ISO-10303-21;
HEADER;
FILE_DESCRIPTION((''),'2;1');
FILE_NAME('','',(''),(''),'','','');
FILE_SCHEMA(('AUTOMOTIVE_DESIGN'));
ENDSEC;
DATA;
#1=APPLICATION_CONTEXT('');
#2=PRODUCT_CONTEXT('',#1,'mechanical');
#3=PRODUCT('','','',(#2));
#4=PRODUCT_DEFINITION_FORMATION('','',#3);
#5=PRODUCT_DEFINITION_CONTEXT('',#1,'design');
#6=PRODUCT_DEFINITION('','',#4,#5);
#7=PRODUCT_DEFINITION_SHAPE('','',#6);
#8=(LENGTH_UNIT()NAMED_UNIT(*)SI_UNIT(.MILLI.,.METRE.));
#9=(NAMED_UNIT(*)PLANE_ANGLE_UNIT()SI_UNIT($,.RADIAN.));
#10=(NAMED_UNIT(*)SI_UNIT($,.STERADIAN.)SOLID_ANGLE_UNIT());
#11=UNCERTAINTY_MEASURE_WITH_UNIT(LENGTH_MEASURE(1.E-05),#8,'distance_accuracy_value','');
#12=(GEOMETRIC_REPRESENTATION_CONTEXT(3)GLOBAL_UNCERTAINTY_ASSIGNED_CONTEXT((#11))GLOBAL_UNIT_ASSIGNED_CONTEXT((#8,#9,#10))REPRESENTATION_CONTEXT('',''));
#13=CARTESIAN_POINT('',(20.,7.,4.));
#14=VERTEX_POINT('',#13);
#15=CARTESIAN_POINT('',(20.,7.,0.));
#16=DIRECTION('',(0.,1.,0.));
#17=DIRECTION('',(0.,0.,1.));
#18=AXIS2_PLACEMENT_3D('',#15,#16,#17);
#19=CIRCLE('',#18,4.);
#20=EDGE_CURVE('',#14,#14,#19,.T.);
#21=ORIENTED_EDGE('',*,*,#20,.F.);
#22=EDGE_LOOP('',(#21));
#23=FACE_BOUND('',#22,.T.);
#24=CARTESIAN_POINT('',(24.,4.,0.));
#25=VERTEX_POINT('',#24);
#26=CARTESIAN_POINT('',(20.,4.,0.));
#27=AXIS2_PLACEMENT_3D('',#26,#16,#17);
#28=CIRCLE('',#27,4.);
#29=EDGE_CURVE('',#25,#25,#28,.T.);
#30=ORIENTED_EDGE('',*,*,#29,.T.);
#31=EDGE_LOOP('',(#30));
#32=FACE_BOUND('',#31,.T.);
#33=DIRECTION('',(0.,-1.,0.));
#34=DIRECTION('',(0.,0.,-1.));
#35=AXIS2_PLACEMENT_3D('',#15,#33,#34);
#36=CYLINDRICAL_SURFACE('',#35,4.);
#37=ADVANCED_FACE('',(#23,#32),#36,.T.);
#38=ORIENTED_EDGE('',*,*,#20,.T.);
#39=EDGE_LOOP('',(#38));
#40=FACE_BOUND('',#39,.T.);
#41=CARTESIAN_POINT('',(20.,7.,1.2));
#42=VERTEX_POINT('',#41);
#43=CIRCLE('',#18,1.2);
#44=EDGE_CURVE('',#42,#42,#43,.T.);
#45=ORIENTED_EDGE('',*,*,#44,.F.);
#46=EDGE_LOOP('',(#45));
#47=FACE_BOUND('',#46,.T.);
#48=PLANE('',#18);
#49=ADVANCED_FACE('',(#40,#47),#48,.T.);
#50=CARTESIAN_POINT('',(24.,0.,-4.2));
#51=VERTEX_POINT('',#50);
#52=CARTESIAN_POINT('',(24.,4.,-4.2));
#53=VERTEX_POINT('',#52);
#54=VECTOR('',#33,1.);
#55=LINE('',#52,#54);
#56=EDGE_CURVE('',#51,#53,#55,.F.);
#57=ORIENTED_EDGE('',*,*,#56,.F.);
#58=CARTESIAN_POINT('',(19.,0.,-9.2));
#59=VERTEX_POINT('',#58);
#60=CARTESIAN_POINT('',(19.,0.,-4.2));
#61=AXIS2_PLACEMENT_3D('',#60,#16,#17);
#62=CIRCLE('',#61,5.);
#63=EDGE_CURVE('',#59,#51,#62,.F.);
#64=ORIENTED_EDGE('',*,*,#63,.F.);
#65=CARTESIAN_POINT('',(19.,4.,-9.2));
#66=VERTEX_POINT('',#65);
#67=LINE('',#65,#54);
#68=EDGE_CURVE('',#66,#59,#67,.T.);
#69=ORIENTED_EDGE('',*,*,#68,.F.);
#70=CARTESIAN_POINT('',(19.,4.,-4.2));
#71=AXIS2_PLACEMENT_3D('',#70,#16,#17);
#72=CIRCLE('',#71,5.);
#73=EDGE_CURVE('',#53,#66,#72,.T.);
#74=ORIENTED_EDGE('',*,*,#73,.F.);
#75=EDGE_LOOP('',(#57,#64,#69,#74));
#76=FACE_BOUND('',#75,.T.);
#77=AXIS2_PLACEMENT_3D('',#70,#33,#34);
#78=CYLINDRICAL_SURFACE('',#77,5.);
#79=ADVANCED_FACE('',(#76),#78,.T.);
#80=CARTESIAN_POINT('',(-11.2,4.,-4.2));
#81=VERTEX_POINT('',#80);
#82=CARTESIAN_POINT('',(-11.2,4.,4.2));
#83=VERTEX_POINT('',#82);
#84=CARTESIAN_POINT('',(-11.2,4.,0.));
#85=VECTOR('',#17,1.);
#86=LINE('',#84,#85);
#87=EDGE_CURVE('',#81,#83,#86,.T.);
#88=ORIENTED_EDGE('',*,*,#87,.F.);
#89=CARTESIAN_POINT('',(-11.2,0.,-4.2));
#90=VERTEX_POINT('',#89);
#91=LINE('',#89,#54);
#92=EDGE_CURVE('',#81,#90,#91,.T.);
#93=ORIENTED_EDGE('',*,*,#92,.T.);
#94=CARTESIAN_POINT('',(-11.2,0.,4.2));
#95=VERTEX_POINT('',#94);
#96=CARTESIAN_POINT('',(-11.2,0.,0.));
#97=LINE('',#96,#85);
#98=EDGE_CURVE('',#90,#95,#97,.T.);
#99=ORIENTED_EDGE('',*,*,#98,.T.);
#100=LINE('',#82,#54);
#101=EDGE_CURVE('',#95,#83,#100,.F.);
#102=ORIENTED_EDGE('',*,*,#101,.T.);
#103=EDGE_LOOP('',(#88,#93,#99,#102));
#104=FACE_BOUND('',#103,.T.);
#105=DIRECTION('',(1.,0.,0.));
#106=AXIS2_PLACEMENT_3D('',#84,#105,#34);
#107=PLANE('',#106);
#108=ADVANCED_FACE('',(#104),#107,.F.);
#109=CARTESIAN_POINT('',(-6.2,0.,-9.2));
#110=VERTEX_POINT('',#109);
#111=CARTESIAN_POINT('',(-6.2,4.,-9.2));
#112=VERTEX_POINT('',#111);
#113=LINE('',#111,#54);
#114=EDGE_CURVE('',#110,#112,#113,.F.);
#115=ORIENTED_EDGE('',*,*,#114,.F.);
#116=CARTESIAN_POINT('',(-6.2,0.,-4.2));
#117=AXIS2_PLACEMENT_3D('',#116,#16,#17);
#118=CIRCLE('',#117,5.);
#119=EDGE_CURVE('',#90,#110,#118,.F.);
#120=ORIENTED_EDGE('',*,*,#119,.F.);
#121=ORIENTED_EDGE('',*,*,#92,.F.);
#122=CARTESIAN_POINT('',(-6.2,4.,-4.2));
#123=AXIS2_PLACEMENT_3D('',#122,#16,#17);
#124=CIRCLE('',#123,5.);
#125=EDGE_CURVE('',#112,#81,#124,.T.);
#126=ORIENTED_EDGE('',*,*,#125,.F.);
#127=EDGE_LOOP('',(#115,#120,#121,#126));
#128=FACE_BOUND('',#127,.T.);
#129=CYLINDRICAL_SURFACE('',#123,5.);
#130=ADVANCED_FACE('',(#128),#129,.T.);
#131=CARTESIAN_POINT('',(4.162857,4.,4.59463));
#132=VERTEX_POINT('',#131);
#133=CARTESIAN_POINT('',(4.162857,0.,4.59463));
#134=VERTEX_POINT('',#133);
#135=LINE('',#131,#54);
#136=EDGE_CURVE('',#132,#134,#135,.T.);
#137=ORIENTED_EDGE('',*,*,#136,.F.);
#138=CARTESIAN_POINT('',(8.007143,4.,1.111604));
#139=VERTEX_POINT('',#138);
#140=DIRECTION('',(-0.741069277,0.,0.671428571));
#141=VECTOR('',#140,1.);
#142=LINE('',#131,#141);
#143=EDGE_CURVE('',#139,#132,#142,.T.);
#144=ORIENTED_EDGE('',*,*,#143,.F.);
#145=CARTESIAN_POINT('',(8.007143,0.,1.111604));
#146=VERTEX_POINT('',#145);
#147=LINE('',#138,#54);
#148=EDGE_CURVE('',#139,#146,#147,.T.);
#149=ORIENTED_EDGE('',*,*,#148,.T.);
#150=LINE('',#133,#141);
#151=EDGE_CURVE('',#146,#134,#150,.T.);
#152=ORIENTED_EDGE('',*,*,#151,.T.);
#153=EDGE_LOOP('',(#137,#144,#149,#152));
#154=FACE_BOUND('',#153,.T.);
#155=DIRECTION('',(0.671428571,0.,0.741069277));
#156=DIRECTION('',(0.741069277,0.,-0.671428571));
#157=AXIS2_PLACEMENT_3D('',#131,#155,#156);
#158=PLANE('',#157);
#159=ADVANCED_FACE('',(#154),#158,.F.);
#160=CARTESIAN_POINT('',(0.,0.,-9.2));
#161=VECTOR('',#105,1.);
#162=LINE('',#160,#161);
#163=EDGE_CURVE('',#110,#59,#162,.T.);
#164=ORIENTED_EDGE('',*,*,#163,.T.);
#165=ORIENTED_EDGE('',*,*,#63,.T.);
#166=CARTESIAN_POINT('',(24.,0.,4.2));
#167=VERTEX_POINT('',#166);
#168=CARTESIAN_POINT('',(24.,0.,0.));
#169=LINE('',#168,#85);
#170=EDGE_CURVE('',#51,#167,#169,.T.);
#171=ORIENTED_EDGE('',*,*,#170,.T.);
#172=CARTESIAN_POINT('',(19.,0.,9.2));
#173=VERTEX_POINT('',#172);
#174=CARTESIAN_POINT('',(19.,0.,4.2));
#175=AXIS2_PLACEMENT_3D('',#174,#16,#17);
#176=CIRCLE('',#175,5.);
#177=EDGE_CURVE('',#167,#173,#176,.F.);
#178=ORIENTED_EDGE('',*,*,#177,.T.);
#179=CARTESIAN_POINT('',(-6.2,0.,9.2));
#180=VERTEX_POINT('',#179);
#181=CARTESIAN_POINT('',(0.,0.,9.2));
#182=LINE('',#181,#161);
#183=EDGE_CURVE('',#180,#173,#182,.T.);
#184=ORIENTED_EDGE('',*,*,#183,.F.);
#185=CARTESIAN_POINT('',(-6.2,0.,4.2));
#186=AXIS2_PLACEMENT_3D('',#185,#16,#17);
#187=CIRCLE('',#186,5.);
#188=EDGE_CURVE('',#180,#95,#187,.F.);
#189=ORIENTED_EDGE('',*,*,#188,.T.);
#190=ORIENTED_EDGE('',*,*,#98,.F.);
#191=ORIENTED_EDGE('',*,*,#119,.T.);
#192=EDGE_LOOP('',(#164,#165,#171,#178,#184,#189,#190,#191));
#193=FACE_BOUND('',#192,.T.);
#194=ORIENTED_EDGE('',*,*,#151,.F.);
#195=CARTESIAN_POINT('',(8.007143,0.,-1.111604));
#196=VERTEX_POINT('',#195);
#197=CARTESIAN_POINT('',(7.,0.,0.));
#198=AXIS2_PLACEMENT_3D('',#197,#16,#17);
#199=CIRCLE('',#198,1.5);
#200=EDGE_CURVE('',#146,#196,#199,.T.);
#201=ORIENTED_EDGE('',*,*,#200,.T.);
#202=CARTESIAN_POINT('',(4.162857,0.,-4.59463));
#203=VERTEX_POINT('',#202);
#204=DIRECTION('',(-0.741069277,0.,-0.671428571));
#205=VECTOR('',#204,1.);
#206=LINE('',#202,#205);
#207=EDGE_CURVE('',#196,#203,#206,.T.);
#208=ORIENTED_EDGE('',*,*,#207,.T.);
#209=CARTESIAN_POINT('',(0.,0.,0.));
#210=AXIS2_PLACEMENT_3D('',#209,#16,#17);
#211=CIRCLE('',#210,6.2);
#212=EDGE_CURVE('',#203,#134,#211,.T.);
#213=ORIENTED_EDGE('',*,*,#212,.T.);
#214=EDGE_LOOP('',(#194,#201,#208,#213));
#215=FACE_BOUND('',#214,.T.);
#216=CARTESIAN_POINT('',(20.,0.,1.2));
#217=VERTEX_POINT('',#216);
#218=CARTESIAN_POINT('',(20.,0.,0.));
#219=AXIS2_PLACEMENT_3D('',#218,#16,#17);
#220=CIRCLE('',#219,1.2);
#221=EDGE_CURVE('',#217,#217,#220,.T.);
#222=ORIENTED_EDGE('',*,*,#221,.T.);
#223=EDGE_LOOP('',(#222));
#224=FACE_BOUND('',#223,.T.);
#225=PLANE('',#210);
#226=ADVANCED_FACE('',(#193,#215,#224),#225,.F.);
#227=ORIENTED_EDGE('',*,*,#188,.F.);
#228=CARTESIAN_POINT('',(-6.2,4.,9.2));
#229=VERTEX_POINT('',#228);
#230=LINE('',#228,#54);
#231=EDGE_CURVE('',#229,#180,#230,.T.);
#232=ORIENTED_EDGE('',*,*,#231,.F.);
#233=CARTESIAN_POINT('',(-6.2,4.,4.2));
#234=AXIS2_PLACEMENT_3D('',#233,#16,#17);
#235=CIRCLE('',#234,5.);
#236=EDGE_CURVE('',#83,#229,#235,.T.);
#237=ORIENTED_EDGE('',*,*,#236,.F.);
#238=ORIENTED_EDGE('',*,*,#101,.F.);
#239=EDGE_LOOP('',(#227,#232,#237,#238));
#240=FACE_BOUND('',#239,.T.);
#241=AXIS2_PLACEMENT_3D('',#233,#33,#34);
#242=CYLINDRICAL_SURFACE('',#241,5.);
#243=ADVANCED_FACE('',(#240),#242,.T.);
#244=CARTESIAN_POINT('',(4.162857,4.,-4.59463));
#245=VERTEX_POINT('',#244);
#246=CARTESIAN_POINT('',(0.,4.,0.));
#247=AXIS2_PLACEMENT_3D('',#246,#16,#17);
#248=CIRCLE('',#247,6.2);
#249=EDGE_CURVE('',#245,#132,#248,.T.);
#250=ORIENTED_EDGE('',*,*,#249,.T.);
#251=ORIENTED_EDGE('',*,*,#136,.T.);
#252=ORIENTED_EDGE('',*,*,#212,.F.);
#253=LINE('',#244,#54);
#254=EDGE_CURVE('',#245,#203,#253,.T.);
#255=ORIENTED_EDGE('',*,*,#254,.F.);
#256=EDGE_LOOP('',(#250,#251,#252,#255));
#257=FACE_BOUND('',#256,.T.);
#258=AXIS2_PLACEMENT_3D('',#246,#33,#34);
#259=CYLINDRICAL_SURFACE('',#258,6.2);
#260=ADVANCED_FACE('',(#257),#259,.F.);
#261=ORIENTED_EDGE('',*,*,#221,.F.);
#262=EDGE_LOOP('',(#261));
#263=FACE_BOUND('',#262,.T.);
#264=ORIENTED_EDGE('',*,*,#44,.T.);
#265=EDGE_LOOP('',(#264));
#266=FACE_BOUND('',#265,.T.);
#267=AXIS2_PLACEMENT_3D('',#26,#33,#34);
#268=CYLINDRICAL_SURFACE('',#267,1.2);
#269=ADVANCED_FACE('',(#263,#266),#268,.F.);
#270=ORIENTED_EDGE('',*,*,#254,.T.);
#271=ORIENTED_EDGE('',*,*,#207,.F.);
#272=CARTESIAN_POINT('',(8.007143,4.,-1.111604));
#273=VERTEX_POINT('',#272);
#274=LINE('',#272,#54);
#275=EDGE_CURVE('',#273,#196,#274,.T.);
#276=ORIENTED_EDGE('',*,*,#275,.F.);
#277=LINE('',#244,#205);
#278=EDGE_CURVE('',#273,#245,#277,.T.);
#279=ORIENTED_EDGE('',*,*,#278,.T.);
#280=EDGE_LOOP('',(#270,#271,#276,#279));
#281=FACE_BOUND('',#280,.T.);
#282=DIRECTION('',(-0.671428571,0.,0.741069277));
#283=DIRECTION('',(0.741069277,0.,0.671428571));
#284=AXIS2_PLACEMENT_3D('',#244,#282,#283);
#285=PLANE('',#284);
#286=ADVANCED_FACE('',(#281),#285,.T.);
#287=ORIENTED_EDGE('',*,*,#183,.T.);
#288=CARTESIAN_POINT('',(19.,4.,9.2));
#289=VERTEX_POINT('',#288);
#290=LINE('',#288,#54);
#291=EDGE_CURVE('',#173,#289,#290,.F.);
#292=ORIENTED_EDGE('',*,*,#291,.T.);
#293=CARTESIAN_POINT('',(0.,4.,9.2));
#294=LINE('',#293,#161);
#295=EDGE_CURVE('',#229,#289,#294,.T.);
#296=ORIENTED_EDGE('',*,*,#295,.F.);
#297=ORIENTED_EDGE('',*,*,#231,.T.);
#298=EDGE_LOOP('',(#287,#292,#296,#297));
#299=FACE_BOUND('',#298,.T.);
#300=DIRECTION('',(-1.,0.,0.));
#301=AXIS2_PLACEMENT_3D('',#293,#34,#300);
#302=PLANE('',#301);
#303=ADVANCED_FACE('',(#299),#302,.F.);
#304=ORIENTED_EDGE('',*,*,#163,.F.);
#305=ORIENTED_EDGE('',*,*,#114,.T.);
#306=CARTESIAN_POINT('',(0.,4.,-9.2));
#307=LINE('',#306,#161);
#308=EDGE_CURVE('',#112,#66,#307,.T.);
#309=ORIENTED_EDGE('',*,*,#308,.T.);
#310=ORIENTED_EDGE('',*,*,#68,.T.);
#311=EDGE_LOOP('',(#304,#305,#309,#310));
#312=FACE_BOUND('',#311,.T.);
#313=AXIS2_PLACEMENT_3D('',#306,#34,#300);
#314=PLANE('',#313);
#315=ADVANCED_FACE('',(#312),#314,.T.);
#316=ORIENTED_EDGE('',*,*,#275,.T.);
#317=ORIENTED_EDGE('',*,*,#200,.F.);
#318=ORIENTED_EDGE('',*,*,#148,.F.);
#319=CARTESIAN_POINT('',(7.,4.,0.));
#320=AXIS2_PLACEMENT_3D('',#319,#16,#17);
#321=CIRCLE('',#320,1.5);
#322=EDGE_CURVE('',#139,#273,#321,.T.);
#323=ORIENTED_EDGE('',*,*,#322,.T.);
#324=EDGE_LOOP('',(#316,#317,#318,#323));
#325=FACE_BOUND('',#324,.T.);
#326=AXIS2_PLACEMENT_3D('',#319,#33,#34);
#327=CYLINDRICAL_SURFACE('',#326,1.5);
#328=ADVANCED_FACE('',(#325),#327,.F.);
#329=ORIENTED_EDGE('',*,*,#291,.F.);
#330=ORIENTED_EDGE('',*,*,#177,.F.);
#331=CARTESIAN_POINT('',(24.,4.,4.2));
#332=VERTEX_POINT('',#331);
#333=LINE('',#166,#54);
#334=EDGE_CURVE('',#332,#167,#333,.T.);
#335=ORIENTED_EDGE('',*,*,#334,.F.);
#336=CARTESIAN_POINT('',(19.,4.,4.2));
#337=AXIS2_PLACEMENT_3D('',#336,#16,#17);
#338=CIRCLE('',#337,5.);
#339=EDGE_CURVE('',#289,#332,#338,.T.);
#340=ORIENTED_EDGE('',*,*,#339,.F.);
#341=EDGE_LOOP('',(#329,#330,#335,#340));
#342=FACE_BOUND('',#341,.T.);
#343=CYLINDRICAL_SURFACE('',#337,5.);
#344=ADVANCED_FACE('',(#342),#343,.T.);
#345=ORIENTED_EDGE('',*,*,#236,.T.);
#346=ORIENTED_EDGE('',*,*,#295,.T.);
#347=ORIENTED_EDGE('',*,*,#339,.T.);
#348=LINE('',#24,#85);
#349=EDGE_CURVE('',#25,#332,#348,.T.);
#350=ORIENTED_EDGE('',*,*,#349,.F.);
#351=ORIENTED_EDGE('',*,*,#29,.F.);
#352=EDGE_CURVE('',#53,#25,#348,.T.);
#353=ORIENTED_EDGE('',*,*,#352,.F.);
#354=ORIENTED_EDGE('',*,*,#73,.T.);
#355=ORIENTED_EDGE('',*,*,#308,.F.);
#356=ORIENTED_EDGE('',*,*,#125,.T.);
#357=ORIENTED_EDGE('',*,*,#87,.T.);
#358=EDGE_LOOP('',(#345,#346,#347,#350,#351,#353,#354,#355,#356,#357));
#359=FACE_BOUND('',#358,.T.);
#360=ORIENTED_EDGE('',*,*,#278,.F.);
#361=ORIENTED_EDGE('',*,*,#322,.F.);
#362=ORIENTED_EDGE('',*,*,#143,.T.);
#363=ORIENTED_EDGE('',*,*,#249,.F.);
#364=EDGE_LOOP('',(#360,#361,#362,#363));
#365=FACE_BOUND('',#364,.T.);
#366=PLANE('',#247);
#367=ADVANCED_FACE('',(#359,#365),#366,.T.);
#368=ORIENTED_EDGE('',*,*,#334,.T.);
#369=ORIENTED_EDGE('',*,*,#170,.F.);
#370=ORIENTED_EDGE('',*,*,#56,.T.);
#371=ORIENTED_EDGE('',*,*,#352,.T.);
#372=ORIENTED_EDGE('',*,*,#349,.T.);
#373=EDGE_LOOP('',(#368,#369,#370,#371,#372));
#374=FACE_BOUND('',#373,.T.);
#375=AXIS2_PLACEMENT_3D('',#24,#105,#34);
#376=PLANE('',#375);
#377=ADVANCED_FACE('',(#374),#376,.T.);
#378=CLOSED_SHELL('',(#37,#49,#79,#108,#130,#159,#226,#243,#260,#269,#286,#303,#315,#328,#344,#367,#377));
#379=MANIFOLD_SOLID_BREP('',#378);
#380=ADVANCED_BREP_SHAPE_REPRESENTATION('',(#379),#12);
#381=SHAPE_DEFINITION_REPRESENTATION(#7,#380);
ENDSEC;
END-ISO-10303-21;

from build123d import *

# Parameters (mm, degrees)
SKETCH_1_W      = 5
SKETCH_1_H      = 12.4
SKETCH_1_R      = 1.2
EXTRUDE_1_DEPTH = 4
SKETCH_2_R      = 4
SKETCH_2_R_2    = 1.2
EXTRUDE_2_DEPTH = 3
FILLET_1_R      = 5


with BuildPart() as part:
    # Эскиз1 → Бобышка-Вытянуть1 (new body)
    with BuildSketch(Plane(origin=(0, 0, 0), x_dir=(1, 0, 0), z_dir=(0, 1, 0))):
        Polygon((-11.2, 6.2), (-6.2, 6.2), (0, 6.2), (16.4, 6.2), (21.4, 6.2), (21.4, -6.2), (16.4, -6.2), (6e-09, -6.2), (-6.2, -6.2), (-11.2, -6.2), (-11.2, -9.2), (24, -9.2), (24, 9.2), (-11.2, 9.2), align=None)
        Polygon((-6.2, 0), (-6.2, 6.2), (-11.2, 6.2), (-11.2, -6.2), (-6.2, -6.2), align=None)
        with Locations((18.9, 0)):
            Rectangle(SKETCH_1_W, SKETCH_1_H)
        with Locations((20, 0)):
            Circle(SKETCH_1_R, mode=Mode.SUBTRACT)
        with BuildLine():
            Line((16.4, 6.2), (0, 6.2))
            ThreePointArc((0, 6.2), (2.230840311, 5.784751637), (4.162857143, 4.594629518))
            Line((4.162857143, 4.594629518), (8.007142857, 1.111603916))
            ThreePointArc((8.007142857, 1.111603916), (8.37126115, 0.607982613), (8.5, 0))
            ThreePointArc((8.5, 0), (8.37126115, -0.607982613), (8.007142857, -1.111603916))
            Line((8.007142857, -1.111603916), (4.162857143, -4.594629518))
            ThreePointArc((4.162857143, -4.594629518), (2.230840314, -5.784751636), (6e-09, -6.2))
            Line((6e-09, -6.2), (16.4, -6.2))
            Line((16.4, -6.2), (16.4, 6.2))
        make_face()
        with BuildLine():
            Line((0, 6.2), (-6.2, 6.2))
            Line((-6.2, 6.2), (-6.2, 0))
            ThreePointArc((-6.2, 0), (-4.384062043, 4.384062043), (0, 6.2))
        make_face()
        with BuildLine():
            ThreePointArc((6e-09, -6.2), (-4.384062041, -4.384062046), (-6.2, 0))
            Line((-6.2, 0), (-6.2, -6.2))
            Line((-6.2, -6.2), (6e-09, -6.2))
        make_face()
    extrude(amount=EXTRUDE_1_DEPTH)

    # Эскиз2 → Бобышка-Вытянуть2 (add)
    with BuildSketch(Plane(origin=(0, 4, 0), x_dir=(1, 0, 0), z_dir=(0, 1, 0))):
        with Locations((20, 0)):
            Circle(SKETCH_2_R)
        with Locations((20, 0)):
            Circle(SKETCH_2_R_2, mode=Mode.SUBTRACT)
    extrude(amount=EXTRUDE_2_DEPTH)

    # Скругление1
    fillet_1_edges = [part.edges().sort_by_distance(p)[0] for p in [
        (24, 2, 9.2),
        (-11.2, 2, 9.2),
        (-11.2, 2, -9.2),
        (24, 2, -9.2),
    ]]
    fillet(fillet_1_edges, radius=FILLET_1_R)


solid = part.part
